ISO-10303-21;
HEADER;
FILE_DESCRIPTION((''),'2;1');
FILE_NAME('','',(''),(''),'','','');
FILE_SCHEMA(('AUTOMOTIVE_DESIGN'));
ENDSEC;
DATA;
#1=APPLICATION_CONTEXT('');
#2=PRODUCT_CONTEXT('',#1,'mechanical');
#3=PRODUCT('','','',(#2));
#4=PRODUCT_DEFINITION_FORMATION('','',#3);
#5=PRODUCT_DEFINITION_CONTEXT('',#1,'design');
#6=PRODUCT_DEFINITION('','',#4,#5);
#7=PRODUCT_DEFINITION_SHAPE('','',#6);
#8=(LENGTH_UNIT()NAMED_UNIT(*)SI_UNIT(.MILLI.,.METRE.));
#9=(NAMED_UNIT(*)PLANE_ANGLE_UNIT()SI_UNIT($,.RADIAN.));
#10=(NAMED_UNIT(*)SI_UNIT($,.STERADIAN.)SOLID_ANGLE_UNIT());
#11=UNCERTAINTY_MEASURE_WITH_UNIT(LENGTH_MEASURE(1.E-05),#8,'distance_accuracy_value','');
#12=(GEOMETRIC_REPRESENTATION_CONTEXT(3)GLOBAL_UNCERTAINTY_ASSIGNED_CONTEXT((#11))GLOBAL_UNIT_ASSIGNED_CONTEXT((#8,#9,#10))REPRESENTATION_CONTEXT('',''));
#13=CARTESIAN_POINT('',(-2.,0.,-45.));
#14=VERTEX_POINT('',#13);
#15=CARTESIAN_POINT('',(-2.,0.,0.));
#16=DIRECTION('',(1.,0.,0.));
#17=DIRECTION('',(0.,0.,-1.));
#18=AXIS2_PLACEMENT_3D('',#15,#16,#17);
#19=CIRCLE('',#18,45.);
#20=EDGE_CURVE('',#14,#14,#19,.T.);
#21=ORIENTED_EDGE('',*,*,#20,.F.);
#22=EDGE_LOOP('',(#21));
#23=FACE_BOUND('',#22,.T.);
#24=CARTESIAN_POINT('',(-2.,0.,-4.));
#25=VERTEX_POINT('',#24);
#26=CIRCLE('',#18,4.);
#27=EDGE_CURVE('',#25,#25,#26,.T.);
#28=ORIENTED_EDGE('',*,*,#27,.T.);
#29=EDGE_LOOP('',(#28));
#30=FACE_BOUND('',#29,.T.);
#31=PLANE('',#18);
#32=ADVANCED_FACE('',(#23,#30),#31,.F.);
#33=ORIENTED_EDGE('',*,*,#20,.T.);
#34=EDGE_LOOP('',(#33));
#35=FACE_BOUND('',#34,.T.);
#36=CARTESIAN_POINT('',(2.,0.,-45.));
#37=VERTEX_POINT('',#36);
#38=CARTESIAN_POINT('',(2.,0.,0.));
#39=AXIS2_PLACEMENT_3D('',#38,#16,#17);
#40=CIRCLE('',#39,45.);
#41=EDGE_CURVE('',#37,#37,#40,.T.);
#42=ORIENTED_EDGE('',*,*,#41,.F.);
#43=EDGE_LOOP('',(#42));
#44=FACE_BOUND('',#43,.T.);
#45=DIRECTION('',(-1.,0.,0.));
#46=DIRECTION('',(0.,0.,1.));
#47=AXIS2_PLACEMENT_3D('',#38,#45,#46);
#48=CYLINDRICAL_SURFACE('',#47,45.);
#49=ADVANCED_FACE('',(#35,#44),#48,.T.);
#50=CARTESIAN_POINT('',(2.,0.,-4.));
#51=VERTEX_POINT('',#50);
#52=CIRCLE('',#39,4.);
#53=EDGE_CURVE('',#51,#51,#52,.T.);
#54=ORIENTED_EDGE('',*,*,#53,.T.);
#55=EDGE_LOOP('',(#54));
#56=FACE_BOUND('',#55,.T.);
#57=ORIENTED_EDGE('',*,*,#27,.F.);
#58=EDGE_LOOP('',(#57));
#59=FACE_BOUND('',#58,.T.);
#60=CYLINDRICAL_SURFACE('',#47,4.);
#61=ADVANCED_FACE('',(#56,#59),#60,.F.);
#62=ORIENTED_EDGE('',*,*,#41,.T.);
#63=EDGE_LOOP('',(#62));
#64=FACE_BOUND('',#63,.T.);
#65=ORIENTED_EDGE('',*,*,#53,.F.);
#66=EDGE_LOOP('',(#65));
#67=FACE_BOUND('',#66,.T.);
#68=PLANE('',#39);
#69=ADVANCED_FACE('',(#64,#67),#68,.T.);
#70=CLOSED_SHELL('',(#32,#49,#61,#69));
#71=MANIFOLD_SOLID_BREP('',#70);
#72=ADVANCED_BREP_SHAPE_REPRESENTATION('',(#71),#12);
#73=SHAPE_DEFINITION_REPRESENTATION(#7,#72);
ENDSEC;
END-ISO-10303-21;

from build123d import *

# Parameters (mm, degrees)
SKETCH1_R           = 45
SKETCH1_R_2         = 4
BOSS_EXTRUDE1_DEPTH = 2


with BuildPart() as part:
    # Sketch1 → Boss-Extrude1 (new body, symmetric)
    with BuildSketch(Plane(origin=(0, 0, 0), x_dir=(0, 0, -1), z_dir=(1, 0, 0))):
        Circle(SKETCH1_R)
        Circle(SKETCH1_R_2, mode=Mode.SUBTRACT)
    extrude(amount=BOSS_EXTRUDE1_DEPTH, both=True)


solid = part.part
